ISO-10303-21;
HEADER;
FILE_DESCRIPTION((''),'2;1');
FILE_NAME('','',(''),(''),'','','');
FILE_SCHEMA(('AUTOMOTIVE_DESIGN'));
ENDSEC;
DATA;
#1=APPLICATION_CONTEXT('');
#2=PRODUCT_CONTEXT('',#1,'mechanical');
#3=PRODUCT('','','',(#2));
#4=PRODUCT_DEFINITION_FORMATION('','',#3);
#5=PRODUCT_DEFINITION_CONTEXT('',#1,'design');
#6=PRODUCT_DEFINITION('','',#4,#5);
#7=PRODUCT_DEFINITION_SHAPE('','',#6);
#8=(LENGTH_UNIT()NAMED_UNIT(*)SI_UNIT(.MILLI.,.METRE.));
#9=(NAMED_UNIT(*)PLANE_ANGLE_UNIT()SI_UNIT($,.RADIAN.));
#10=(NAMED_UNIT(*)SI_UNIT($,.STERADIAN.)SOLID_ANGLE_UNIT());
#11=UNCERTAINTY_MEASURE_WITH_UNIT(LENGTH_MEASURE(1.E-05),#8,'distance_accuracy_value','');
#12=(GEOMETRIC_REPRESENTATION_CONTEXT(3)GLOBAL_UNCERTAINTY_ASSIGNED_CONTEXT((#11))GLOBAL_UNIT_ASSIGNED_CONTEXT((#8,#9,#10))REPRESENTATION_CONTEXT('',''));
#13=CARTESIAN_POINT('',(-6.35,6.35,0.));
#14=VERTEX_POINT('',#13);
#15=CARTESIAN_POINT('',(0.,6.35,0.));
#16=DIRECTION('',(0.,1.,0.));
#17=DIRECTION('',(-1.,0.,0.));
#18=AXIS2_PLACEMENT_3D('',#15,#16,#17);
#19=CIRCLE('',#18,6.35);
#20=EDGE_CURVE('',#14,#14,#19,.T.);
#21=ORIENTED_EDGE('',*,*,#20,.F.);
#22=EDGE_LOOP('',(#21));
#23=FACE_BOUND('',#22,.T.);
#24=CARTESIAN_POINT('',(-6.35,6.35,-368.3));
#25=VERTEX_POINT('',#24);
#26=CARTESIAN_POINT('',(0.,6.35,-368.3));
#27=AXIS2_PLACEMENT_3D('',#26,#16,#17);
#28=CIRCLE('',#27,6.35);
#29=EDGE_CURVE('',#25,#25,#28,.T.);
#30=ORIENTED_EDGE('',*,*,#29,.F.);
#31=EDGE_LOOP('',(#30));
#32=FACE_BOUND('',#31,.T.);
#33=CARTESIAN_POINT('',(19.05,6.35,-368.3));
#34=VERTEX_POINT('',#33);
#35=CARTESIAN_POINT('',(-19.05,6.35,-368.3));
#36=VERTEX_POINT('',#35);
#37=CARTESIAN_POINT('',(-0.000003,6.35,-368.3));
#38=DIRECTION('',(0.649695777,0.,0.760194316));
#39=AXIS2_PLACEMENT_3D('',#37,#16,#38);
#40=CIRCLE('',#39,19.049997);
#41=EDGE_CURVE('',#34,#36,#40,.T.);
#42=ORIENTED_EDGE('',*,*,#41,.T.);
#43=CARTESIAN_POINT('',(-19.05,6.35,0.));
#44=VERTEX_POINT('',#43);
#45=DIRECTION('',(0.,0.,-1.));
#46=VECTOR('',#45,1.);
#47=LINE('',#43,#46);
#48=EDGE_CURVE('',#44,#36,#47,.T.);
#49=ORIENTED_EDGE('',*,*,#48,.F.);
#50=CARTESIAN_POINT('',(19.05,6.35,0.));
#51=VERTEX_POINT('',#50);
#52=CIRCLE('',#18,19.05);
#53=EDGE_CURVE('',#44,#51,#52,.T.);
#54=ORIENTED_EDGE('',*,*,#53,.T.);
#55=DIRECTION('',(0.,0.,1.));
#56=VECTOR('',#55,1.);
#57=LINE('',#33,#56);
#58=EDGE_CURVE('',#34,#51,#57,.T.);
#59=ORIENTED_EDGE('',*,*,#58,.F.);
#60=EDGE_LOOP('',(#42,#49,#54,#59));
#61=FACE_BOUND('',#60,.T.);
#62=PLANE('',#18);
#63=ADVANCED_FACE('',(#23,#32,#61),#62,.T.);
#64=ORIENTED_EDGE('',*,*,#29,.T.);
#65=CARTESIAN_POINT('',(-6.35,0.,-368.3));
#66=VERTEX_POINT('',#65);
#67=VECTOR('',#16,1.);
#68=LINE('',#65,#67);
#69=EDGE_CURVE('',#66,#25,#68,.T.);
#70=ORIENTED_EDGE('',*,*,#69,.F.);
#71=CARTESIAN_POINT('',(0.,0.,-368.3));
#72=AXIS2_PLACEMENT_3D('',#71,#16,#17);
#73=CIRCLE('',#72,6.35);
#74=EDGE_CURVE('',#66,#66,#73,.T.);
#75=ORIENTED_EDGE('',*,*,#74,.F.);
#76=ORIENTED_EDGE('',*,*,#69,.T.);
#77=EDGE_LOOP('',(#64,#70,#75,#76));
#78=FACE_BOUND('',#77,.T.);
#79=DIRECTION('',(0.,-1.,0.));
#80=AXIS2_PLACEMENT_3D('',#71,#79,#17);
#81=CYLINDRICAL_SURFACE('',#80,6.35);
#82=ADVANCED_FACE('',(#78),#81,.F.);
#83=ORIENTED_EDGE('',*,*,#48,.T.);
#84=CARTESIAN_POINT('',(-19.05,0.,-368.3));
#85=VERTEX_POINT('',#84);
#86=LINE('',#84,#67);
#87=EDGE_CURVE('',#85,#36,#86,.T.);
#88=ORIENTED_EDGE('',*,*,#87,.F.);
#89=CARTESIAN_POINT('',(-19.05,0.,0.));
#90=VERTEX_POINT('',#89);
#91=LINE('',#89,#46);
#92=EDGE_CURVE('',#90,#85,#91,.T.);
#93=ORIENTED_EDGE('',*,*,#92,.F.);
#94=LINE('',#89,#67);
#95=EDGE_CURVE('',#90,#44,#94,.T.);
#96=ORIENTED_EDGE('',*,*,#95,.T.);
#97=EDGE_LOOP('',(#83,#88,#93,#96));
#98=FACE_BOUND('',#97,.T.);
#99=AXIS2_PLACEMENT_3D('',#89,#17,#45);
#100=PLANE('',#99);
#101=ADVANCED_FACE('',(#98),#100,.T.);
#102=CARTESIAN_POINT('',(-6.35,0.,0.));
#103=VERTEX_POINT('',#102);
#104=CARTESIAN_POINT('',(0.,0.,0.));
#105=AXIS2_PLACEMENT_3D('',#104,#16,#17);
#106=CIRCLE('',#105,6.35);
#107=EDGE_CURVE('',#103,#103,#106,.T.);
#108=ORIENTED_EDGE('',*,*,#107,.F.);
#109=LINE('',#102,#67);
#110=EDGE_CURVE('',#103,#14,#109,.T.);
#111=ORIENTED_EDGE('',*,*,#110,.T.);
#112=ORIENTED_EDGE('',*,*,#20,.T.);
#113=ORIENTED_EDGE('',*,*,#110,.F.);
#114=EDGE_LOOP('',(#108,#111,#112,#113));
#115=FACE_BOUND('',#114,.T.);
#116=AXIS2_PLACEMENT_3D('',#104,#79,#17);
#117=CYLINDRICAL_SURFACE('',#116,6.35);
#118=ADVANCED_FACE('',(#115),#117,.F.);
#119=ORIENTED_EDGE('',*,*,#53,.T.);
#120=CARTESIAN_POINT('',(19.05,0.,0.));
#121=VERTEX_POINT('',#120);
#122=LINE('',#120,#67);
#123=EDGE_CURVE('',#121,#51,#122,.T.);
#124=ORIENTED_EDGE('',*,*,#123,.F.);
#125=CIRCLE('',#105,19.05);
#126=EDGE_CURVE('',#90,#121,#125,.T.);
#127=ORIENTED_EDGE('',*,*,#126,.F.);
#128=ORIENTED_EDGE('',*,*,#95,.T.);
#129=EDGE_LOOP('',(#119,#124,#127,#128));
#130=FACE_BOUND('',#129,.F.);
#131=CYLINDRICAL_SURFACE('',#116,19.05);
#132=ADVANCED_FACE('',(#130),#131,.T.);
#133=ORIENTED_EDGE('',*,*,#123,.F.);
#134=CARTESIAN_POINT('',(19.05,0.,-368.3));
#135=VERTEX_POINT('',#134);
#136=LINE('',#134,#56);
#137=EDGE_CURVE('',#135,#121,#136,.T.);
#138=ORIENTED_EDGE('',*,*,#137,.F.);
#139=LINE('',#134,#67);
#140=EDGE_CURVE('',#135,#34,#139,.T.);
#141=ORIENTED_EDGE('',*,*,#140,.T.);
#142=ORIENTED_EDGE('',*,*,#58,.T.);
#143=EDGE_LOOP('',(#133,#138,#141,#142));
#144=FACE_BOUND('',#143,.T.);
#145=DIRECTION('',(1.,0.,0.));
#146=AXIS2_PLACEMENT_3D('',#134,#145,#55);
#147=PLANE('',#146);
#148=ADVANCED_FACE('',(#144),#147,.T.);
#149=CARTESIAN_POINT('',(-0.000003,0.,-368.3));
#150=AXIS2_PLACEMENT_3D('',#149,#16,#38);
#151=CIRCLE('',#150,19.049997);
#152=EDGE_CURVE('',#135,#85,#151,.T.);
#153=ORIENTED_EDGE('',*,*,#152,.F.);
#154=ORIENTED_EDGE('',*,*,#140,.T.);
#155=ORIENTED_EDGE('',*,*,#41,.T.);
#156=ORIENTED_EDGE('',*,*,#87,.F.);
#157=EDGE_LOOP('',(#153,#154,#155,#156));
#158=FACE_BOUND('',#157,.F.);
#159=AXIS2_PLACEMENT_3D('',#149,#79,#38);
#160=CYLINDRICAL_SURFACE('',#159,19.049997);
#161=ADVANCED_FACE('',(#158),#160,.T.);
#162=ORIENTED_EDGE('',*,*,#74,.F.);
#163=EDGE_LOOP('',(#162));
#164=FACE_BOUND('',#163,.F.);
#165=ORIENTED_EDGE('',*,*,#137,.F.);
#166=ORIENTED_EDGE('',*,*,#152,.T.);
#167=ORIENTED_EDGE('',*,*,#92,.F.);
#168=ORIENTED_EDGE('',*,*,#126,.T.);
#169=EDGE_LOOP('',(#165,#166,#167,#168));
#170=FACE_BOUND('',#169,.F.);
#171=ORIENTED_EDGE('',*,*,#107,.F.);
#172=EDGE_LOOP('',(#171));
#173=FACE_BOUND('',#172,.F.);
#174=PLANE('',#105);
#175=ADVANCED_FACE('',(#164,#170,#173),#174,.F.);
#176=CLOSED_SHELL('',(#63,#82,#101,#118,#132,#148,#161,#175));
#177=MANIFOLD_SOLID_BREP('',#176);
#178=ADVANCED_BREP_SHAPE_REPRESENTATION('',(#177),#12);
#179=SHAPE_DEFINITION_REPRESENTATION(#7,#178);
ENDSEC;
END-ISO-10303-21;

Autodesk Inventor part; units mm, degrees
ref_plane "YZ Plane" through (0, 0, 0) normal (1, 0, 0) x (0, 1, 0)
ref_plane "XZ Plane" through (0, 0, 0) normal (0, 1, 0) x (-1, 0, 0)
ref_plane "XY Plane" through (0, 0, 0) normal (0, 0, 1) x (1, 0, 0)
sketch "Sketch1" plane through (0, 0, 0) normal (0, 1, 0) x (-1, 0, 0)
  line L0 (0, 0) -> (0, -368.3) construction
  circle A0 centre (0, -368.3) radius 6.35
  circle A1 centre (0, 0) radius 6.35
  circle A2 centre (0, 0) radius 19.05 construction
  circle A3 centre (0, -368.3) radius 19.05 construction
  line L1 (19.05, 0) -> (19.05, -368.3)
  line L2 (-19.05, -368.3) -> (-19.05, 0)
  arc A4 (19.05, 0) -> (-19.05, 0) centre (0, 0) ccw
  arc A5 (-12.3767, -353.8183) -> (19.05, -368.3) centre (0, -368.3) ccw
  point P0 (-19.05, -368.3)
  dimension "d0" = 368.3
  dimension "d1" = 12.7
  dimension "d2" = 12.7
  dimension "d3" = 12.7
  dimension "d4" = 12.7
extrude "Extrusion1" add sketch "Sketch1" along normal blind 6.35
properties part number "DragBarLinkage3 Bar3"
